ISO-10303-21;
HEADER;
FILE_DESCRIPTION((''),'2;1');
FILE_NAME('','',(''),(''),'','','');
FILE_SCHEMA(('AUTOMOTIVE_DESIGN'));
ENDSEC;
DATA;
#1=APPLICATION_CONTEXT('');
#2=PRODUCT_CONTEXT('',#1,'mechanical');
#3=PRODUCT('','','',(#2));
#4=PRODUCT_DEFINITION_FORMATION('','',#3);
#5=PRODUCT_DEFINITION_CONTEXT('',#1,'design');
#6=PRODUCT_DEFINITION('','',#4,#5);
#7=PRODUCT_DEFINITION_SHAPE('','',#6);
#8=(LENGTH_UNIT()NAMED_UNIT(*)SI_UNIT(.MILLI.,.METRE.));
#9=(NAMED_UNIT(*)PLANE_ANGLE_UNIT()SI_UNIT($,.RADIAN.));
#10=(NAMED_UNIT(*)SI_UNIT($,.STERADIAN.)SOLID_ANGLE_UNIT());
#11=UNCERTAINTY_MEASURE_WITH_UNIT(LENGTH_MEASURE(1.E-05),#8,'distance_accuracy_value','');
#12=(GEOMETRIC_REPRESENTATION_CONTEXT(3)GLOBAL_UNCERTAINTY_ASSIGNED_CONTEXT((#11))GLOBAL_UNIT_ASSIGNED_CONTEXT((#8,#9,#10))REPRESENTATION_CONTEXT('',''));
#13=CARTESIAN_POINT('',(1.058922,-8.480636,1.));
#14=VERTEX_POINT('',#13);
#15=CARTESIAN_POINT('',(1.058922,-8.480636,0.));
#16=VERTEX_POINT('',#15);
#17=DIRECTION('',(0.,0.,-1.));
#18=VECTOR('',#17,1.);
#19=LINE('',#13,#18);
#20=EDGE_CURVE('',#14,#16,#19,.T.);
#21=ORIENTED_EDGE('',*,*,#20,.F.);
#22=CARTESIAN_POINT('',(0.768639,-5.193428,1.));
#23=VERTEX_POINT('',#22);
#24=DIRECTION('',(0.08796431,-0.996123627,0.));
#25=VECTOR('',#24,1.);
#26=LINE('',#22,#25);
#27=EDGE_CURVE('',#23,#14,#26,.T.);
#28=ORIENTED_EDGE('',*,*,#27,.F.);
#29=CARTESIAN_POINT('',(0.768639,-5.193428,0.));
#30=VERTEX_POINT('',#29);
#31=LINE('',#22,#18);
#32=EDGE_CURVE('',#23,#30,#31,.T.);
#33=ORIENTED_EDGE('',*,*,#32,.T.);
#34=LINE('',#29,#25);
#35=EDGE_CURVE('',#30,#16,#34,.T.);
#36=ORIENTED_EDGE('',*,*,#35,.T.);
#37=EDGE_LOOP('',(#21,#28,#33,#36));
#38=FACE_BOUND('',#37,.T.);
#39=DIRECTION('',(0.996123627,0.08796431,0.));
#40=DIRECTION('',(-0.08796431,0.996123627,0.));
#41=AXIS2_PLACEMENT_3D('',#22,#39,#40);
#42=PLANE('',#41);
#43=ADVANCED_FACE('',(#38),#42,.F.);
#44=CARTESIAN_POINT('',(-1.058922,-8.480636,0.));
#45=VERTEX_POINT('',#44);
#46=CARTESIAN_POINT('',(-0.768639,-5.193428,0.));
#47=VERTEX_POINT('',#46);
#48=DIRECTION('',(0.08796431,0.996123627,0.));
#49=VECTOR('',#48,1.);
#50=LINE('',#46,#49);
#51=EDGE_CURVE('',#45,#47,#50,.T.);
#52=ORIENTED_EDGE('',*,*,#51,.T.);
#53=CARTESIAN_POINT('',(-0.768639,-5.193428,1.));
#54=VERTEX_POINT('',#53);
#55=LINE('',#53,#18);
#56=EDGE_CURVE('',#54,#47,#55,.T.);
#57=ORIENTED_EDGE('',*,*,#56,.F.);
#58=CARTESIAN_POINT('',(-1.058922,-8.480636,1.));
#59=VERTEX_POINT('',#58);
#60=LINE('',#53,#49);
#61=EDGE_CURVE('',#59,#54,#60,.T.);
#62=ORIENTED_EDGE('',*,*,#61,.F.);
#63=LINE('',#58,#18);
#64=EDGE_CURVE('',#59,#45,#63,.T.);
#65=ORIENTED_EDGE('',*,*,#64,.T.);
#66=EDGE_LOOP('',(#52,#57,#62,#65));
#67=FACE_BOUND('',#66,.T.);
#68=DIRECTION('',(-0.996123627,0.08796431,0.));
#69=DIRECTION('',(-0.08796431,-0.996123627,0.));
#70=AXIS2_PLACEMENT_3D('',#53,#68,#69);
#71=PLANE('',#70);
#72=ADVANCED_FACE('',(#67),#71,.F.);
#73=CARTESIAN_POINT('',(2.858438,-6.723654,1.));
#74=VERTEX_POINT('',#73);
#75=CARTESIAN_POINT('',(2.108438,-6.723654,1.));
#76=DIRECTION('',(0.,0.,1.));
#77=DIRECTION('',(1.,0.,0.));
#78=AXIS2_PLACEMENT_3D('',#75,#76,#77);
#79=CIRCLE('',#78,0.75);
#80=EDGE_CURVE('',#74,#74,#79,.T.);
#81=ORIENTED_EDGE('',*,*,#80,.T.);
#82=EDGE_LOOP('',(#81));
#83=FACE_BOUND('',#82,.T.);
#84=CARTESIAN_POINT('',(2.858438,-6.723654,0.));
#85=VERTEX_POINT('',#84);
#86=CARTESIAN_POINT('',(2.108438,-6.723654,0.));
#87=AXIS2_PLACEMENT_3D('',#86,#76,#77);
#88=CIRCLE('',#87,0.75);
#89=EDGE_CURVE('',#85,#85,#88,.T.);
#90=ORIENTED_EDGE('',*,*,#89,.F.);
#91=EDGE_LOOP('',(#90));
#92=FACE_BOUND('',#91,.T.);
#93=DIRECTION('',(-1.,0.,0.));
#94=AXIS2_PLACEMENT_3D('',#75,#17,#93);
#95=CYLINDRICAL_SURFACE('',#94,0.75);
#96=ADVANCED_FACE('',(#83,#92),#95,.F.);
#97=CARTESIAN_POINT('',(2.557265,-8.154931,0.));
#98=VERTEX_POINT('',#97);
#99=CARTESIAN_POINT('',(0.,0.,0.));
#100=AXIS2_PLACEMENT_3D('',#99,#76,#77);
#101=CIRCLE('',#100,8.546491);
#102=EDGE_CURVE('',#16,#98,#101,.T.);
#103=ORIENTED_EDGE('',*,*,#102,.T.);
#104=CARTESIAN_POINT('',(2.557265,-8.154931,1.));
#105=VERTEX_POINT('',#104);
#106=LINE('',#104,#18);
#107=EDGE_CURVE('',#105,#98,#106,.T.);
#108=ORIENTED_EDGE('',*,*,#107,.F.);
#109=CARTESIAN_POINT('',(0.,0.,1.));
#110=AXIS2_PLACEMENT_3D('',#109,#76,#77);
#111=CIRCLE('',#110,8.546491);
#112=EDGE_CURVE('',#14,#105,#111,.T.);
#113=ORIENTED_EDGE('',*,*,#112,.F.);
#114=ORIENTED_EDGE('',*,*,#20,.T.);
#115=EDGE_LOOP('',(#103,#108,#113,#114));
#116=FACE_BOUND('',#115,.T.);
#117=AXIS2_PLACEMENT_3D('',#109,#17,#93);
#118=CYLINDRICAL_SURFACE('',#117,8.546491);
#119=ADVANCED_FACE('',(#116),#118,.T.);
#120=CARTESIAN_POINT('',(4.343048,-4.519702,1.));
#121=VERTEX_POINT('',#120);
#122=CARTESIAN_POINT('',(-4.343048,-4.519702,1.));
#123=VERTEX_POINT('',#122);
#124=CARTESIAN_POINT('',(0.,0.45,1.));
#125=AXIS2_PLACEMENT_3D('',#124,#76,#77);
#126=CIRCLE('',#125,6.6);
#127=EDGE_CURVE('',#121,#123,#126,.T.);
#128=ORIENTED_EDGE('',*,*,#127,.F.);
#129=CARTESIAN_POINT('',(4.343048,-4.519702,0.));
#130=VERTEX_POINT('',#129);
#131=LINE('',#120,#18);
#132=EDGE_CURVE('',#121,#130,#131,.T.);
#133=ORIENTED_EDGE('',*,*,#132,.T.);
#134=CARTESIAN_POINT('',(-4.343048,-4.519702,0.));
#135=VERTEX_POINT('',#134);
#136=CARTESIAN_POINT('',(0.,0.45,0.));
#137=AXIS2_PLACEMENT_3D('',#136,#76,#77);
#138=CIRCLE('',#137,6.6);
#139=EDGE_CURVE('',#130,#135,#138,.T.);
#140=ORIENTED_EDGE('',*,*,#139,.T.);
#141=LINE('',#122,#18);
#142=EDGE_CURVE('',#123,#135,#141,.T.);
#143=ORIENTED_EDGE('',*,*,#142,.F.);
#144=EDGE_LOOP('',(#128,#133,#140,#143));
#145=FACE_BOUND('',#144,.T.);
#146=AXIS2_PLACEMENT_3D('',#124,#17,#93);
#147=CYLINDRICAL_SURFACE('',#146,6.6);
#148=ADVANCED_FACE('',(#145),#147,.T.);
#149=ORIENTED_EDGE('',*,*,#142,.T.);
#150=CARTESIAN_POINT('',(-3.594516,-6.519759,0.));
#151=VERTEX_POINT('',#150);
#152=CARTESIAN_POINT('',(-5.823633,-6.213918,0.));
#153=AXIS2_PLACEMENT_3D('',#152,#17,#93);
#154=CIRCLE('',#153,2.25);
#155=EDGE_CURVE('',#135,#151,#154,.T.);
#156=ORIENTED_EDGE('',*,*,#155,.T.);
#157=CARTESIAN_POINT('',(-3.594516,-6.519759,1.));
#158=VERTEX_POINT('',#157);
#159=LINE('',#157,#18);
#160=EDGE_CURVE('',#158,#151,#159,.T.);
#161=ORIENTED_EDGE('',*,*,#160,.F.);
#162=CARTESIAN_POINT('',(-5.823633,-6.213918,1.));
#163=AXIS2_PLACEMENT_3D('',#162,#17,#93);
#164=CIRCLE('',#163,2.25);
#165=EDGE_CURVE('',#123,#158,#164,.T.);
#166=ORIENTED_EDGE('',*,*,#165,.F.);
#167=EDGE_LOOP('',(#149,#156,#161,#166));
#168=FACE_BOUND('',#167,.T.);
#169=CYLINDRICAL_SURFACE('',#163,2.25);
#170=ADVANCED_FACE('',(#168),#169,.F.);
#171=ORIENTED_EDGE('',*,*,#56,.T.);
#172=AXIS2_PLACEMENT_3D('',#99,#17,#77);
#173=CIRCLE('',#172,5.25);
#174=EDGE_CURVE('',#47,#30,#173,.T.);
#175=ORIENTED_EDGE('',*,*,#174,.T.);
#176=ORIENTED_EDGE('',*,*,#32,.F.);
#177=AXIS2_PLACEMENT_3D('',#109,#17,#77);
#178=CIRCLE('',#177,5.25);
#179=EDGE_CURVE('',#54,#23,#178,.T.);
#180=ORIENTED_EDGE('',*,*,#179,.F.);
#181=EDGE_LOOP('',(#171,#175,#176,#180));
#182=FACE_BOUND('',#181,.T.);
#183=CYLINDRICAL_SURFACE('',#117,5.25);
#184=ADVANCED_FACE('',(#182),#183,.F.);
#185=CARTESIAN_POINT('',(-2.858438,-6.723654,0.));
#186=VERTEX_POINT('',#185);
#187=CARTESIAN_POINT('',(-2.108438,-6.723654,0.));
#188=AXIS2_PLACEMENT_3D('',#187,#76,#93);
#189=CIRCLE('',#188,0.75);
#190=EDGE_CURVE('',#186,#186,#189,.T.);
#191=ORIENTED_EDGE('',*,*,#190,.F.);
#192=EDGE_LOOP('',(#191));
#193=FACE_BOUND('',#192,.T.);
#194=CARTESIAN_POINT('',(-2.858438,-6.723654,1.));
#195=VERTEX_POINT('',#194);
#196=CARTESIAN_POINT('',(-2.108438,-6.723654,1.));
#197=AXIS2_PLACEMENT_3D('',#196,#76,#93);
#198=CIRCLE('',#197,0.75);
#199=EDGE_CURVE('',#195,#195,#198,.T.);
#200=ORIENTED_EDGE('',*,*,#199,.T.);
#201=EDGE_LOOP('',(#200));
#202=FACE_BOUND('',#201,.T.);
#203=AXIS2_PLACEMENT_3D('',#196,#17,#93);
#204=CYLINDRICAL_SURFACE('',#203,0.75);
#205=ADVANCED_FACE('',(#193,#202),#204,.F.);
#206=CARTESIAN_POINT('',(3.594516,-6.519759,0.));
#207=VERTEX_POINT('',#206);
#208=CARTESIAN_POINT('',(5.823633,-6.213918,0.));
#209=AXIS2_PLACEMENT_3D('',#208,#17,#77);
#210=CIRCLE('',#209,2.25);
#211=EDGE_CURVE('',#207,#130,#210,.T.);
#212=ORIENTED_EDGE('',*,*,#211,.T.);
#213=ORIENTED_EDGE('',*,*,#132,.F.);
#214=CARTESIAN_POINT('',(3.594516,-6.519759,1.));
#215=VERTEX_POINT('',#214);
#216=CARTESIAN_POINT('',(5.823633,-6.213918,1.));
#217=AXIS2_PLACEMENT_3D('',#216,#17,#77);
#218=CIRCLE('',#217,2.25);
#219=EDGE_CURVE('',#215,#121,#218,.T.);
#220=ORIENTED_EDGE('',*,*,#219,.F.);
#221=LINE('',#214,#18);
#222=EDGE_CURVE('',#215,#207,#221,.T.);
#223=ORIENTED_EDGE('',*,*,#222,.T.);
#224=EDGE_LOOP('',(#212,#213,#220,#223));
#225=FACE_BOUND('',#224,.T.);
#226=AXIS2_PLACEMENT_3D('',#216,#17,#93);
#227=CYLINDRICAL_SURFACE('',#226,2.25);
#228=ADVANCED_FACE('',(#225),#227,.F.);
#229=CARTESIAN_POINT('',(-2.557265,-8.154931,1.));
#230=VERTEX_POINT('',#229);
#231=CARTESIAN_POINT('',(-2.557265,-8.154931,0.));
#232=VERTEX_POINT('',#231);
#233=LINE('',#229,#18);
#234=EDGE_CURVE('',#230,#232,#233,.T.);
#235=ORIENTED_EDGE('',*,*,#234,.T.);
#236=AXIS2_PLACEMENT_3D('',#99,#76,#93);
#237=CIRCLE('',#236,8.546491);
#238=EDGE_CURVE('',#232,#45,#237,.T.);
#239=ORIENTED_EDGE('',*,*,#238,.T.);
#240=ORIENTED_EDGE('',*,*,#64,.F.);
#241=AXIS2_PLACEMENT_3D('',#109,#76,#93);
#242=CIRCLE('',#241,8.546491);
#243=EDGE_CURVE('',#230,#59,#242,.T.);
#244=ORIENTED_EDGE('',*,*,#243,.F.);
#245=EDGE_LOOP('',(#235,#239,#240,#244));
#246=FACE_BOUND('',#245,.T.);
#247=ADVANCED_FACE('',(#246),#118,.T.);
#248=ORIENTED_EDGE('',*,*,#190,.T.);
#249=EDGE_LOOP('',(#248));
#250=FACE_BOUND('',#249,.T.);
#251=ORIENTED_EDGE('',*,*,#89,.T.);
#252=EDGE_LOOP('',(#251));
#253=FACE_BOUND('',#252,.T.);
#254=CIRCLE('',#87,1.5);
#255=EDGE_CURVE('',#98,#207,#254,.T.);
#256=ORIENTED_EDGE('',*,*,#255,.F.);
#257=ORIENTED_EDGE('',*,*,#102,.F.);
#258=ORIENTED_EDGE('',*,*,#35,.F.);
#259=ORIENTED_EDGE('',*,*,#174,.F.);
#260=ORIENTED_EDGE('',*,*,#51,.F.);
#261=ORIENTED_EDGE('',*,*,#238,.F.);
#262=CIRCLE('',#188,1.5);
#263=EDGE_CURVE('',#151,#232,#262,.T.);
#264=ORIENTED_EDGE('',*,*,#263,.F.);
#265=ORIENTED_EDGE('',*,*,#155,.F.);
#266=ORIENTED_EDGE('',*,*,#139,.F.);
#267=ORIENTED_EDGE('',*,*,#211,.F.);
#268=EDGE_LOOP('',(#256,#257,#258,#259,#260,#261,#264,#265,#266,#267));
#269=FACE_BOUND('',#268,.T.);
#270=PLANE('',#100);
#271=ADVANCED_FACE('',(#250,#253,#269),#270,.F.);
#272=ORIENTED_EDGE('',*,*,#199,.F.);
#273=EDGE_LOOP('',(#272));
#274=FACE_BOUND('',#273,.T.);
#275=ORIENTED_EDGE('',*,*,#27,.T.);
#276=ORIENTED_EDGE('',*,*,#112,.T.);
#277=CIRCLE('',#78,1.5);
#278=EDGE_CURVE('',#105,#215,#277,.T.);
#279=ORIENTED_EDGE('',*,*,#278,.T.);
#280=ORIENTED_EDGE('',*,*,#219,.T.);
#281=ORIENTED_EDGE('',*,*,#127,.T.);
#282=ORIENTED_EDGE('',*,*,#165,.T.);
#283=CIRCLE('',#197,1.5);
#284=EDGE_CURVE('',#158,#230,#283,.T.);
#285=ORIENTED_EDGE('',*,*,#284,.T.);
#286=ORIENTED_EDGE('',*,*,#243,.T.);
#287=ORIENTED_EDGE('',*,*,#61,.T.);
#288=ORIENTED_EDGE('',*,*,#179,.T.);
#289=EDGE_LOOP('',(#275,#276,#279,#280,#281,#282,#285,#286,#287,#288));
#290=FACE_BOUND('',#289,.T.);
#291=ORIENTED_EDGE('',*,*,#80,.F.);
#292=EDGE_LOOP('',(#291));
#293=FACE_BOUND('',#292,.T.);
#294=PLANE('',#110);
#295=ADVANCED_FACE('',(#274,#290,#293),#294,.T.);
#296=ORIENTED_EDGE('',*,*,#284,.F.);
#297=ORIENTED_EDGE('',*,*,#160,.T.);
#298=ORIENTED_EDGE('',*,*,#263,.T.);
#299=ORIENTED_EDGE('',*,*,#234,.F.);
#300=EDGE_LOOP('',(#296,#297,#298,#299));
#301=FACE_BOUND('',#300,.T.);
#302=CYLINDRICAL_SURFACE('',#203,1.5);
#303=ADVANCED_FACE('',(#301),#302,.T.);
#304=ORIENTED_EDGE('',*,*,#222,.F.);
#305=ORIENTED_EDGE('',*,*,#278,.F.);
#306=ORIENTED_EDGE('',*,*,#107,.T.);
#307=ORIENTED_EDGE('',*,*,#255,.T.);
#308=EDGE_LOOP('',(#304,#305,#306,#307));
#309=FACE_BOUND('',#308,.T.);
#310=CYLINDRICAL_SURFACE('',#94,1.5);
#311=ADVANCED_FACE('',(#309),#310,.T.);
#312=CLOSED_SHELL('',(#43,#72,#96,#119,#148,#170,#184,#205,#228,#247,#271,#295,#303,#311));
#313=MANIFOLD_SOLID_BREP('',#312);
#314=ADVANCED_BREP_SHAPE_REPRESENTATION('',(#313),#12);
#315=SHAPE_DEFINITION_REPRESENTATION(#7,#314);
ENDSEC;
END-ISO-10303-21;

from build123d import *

# Parameters (mm, degrees)
ESQUISSE1_R          = 0.75
BASE_EXTRUSION_DEPTH = 1


with BuildPart() as part:
    # Esquisse1 → Base-Extrusion (new body)
    with BuildSketch(Plane.XY):
        with BuildLine():
            Line((0.768639364, -5.193427917), (1.058921586, -8.480635886))
            ThreePointArc((1.058921586, -8.480635886), (1.81541267, -8.351453574), (2.557265456, -8.154930615))
            ThreePointArc((2.557265456, -8.154930615), (3.375091505, -7.527139269), (3.594515939, -6.519759332))
            ThreePointArc((3.594515939, -6.519759332), (3.716376435, -5.425266349), (4.343048041, -4.519701572))
            ThreePointArc((4.343048041, -4.519701572), (0, 7.05), (-4.343048041, -4.519701572))
            ThreePointArc((-4.343048041, -4.519701572), (-3.716376435, -5.425266349), (-3.594515939, -6.519759332))
            ThreePointArc((-3.594515939, -6.519759332), (-3.375091505, -7.527139269), (-2.557265456, -8.154930615))
            ThreePointArc((-2.557265456, -8.154930615), (-1.81541267, -8.351453574), (-1.058921586, -8.480635886))
            Line((-1.058921586, -8.480635886), (-0.768639364, -5.193427917))
            ThreePointArc((-0.768639364, -5.193427917), (0, 5.25), (0.768639364, -5.193427917))
        make_face()
        with Locations((2.108438165, -6.723653541)):
            Circle(ESQUISSE1_R, mode=Mode.SUBTRACT)
        with Locations(Location((-2.108438165, -6.723653541, 0), (0, 0, 180))):
            Circle(ESQUISSE1_R, mode=Mode.SUBTRACT)
    extrude(amount=BASE_EXTRUSION_DEPTH)


solid = part.part
